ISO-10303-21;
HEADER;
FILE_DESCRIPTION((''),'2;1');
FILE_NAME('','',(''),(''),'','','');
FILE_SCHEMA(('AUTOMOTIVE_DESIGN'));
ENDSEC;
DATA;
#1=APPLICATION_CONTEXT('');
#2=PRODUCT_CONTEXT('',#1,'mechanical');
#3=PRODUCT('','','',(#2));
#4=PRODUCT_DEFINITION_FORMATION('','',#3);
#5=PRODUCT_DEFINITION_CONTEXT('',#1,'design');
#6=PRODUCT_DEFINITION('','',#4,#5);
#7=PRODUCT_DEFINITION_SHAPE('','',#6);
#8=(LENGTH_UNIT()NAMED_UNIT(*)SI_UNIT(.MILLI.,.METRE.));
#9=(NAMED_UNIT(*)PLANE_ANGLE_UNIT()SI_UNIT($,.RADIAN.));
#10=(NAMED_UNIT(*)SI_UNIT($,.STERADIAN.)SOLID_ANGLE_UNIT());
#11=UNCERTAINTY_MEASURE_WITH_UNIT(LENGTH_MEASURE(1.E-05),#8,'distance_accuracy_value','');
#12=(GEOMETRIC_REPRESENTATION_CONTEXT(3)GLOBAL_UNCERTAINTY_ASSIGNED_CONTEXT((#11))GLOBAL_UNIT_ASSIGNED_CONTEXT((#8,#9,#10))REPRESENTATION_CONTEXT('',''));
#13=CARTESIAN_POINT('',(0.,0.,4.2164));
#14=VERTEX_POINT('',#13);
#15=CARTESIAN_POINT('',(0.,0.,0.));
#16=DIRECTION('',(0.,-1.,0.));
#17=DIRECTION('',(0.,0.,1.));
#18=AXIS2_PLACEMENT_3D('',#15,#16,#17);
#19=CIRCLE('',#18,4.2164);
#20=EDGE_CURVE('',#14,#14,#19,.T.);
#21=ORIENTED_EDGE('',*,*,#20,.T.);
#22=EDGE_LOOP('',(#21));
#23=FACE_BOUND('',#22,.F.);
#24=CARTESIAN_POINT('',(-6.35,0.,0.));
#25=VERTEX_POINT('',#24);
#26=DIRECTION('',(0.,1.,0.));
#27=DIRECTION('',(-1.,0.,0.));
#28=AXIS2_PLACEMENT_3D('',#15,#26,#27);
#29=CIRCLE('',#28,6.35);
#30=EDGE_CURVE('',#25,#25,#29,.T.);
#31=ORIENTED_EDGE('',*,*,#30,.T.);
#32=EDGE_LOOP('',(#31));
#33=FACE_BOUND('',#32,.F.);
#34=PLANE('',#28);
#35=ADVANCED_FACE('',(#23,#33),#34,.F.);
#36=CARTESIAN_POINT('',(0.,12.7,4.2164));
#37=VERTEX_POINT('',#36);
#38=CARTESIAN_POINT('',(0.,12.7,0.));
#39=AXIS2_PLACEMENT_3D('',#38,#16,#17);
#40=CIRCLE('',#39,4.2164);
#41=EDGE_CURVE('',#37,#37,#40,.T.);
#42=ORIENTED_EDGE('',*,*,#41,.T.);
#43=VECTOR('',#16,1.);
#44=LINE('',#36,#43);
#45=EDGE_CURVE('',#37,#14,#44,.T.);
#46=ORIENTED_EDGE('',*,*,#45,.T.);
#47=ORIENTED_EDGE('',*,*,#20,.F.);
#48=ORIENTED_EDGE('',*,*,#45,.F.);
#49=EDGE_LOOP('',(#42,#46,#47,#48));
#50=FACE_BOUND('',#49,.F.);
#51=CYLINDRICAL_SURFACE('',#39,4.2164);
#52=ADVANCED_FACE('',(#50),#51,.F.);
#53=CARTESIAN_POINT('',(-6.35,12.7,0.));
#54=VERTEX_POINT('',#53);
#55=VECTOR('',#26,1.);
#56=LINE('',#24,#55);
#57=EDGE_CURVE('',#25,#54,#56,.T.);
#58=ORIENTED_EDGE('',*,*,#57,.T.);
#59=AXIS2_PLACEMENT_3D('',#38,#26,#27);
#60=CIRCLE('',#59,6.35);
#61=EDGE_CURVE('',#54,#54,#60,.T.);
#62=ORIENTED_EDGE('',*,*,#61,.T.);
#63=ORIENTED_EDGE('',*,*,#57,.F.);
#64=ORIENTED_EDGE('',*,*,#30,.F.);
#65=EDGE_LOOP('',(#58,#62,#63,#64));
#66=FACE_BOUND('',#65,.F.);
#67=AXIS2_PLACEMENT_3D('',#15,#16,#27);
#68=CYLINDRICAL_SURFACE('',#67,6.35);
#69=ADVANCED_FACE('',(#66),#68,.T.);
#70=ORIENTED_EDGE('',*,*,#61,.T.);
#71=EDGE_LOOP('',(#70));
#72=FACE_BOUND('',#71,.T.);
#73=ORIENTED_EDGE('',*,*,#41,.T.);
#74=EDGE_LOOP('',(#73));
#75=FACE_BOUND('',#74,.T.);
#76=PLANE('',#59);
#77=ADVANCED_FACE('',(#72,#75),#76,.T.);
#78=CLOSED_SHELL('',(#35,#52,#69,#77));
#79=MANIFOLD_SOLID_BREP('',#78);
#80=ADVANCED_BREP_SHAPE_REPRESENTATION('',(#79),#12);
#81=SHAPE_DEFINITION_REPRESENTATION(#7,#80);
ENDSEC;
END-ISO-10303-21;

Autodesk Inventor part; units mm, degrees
ref_plane "YZ Plane" through (0, 0, 0) normal (1, 0, 0) x (0, 1, 0)
ref_plane "XZ Plane" through (0, 0, 0) normal (0, 1, 0) x (-1, 0, 0)
ref_plane "XY Plane" through (0, 0, 0) normal (0, 0, 1) x (1, 0, 0)
sketch "Sketch1" plane through (0, 0, 0) normal (0, 1, 0) x (-1, 0, 0)
  circle A0 centre (0, 0) radius 6.35
  dimension "d13" = 12.7
extrude "Extrusion1" add sketch "Sketch1" along normal blind 12.7
sketch "Sketch2" plane through (0, 12.7, 0) normal (0, 1, 0) x (1, 0, 0)
  point P0 (0, 0)
  point P1 (0, 0)
hole "Hole1" at (0, 12.7, 0) direction (0, -1, 0) diameter 8.4328 end through all clearance for "Flat Head Machine Screw (82)" size "5/16" standard "Ansi Unified Screw Threads"
thread "Thread1" size "5/16-18 UNC" class "2B" standard "ANSI Unified Screw Threads" full length
properties part number "Standoff_v0"
